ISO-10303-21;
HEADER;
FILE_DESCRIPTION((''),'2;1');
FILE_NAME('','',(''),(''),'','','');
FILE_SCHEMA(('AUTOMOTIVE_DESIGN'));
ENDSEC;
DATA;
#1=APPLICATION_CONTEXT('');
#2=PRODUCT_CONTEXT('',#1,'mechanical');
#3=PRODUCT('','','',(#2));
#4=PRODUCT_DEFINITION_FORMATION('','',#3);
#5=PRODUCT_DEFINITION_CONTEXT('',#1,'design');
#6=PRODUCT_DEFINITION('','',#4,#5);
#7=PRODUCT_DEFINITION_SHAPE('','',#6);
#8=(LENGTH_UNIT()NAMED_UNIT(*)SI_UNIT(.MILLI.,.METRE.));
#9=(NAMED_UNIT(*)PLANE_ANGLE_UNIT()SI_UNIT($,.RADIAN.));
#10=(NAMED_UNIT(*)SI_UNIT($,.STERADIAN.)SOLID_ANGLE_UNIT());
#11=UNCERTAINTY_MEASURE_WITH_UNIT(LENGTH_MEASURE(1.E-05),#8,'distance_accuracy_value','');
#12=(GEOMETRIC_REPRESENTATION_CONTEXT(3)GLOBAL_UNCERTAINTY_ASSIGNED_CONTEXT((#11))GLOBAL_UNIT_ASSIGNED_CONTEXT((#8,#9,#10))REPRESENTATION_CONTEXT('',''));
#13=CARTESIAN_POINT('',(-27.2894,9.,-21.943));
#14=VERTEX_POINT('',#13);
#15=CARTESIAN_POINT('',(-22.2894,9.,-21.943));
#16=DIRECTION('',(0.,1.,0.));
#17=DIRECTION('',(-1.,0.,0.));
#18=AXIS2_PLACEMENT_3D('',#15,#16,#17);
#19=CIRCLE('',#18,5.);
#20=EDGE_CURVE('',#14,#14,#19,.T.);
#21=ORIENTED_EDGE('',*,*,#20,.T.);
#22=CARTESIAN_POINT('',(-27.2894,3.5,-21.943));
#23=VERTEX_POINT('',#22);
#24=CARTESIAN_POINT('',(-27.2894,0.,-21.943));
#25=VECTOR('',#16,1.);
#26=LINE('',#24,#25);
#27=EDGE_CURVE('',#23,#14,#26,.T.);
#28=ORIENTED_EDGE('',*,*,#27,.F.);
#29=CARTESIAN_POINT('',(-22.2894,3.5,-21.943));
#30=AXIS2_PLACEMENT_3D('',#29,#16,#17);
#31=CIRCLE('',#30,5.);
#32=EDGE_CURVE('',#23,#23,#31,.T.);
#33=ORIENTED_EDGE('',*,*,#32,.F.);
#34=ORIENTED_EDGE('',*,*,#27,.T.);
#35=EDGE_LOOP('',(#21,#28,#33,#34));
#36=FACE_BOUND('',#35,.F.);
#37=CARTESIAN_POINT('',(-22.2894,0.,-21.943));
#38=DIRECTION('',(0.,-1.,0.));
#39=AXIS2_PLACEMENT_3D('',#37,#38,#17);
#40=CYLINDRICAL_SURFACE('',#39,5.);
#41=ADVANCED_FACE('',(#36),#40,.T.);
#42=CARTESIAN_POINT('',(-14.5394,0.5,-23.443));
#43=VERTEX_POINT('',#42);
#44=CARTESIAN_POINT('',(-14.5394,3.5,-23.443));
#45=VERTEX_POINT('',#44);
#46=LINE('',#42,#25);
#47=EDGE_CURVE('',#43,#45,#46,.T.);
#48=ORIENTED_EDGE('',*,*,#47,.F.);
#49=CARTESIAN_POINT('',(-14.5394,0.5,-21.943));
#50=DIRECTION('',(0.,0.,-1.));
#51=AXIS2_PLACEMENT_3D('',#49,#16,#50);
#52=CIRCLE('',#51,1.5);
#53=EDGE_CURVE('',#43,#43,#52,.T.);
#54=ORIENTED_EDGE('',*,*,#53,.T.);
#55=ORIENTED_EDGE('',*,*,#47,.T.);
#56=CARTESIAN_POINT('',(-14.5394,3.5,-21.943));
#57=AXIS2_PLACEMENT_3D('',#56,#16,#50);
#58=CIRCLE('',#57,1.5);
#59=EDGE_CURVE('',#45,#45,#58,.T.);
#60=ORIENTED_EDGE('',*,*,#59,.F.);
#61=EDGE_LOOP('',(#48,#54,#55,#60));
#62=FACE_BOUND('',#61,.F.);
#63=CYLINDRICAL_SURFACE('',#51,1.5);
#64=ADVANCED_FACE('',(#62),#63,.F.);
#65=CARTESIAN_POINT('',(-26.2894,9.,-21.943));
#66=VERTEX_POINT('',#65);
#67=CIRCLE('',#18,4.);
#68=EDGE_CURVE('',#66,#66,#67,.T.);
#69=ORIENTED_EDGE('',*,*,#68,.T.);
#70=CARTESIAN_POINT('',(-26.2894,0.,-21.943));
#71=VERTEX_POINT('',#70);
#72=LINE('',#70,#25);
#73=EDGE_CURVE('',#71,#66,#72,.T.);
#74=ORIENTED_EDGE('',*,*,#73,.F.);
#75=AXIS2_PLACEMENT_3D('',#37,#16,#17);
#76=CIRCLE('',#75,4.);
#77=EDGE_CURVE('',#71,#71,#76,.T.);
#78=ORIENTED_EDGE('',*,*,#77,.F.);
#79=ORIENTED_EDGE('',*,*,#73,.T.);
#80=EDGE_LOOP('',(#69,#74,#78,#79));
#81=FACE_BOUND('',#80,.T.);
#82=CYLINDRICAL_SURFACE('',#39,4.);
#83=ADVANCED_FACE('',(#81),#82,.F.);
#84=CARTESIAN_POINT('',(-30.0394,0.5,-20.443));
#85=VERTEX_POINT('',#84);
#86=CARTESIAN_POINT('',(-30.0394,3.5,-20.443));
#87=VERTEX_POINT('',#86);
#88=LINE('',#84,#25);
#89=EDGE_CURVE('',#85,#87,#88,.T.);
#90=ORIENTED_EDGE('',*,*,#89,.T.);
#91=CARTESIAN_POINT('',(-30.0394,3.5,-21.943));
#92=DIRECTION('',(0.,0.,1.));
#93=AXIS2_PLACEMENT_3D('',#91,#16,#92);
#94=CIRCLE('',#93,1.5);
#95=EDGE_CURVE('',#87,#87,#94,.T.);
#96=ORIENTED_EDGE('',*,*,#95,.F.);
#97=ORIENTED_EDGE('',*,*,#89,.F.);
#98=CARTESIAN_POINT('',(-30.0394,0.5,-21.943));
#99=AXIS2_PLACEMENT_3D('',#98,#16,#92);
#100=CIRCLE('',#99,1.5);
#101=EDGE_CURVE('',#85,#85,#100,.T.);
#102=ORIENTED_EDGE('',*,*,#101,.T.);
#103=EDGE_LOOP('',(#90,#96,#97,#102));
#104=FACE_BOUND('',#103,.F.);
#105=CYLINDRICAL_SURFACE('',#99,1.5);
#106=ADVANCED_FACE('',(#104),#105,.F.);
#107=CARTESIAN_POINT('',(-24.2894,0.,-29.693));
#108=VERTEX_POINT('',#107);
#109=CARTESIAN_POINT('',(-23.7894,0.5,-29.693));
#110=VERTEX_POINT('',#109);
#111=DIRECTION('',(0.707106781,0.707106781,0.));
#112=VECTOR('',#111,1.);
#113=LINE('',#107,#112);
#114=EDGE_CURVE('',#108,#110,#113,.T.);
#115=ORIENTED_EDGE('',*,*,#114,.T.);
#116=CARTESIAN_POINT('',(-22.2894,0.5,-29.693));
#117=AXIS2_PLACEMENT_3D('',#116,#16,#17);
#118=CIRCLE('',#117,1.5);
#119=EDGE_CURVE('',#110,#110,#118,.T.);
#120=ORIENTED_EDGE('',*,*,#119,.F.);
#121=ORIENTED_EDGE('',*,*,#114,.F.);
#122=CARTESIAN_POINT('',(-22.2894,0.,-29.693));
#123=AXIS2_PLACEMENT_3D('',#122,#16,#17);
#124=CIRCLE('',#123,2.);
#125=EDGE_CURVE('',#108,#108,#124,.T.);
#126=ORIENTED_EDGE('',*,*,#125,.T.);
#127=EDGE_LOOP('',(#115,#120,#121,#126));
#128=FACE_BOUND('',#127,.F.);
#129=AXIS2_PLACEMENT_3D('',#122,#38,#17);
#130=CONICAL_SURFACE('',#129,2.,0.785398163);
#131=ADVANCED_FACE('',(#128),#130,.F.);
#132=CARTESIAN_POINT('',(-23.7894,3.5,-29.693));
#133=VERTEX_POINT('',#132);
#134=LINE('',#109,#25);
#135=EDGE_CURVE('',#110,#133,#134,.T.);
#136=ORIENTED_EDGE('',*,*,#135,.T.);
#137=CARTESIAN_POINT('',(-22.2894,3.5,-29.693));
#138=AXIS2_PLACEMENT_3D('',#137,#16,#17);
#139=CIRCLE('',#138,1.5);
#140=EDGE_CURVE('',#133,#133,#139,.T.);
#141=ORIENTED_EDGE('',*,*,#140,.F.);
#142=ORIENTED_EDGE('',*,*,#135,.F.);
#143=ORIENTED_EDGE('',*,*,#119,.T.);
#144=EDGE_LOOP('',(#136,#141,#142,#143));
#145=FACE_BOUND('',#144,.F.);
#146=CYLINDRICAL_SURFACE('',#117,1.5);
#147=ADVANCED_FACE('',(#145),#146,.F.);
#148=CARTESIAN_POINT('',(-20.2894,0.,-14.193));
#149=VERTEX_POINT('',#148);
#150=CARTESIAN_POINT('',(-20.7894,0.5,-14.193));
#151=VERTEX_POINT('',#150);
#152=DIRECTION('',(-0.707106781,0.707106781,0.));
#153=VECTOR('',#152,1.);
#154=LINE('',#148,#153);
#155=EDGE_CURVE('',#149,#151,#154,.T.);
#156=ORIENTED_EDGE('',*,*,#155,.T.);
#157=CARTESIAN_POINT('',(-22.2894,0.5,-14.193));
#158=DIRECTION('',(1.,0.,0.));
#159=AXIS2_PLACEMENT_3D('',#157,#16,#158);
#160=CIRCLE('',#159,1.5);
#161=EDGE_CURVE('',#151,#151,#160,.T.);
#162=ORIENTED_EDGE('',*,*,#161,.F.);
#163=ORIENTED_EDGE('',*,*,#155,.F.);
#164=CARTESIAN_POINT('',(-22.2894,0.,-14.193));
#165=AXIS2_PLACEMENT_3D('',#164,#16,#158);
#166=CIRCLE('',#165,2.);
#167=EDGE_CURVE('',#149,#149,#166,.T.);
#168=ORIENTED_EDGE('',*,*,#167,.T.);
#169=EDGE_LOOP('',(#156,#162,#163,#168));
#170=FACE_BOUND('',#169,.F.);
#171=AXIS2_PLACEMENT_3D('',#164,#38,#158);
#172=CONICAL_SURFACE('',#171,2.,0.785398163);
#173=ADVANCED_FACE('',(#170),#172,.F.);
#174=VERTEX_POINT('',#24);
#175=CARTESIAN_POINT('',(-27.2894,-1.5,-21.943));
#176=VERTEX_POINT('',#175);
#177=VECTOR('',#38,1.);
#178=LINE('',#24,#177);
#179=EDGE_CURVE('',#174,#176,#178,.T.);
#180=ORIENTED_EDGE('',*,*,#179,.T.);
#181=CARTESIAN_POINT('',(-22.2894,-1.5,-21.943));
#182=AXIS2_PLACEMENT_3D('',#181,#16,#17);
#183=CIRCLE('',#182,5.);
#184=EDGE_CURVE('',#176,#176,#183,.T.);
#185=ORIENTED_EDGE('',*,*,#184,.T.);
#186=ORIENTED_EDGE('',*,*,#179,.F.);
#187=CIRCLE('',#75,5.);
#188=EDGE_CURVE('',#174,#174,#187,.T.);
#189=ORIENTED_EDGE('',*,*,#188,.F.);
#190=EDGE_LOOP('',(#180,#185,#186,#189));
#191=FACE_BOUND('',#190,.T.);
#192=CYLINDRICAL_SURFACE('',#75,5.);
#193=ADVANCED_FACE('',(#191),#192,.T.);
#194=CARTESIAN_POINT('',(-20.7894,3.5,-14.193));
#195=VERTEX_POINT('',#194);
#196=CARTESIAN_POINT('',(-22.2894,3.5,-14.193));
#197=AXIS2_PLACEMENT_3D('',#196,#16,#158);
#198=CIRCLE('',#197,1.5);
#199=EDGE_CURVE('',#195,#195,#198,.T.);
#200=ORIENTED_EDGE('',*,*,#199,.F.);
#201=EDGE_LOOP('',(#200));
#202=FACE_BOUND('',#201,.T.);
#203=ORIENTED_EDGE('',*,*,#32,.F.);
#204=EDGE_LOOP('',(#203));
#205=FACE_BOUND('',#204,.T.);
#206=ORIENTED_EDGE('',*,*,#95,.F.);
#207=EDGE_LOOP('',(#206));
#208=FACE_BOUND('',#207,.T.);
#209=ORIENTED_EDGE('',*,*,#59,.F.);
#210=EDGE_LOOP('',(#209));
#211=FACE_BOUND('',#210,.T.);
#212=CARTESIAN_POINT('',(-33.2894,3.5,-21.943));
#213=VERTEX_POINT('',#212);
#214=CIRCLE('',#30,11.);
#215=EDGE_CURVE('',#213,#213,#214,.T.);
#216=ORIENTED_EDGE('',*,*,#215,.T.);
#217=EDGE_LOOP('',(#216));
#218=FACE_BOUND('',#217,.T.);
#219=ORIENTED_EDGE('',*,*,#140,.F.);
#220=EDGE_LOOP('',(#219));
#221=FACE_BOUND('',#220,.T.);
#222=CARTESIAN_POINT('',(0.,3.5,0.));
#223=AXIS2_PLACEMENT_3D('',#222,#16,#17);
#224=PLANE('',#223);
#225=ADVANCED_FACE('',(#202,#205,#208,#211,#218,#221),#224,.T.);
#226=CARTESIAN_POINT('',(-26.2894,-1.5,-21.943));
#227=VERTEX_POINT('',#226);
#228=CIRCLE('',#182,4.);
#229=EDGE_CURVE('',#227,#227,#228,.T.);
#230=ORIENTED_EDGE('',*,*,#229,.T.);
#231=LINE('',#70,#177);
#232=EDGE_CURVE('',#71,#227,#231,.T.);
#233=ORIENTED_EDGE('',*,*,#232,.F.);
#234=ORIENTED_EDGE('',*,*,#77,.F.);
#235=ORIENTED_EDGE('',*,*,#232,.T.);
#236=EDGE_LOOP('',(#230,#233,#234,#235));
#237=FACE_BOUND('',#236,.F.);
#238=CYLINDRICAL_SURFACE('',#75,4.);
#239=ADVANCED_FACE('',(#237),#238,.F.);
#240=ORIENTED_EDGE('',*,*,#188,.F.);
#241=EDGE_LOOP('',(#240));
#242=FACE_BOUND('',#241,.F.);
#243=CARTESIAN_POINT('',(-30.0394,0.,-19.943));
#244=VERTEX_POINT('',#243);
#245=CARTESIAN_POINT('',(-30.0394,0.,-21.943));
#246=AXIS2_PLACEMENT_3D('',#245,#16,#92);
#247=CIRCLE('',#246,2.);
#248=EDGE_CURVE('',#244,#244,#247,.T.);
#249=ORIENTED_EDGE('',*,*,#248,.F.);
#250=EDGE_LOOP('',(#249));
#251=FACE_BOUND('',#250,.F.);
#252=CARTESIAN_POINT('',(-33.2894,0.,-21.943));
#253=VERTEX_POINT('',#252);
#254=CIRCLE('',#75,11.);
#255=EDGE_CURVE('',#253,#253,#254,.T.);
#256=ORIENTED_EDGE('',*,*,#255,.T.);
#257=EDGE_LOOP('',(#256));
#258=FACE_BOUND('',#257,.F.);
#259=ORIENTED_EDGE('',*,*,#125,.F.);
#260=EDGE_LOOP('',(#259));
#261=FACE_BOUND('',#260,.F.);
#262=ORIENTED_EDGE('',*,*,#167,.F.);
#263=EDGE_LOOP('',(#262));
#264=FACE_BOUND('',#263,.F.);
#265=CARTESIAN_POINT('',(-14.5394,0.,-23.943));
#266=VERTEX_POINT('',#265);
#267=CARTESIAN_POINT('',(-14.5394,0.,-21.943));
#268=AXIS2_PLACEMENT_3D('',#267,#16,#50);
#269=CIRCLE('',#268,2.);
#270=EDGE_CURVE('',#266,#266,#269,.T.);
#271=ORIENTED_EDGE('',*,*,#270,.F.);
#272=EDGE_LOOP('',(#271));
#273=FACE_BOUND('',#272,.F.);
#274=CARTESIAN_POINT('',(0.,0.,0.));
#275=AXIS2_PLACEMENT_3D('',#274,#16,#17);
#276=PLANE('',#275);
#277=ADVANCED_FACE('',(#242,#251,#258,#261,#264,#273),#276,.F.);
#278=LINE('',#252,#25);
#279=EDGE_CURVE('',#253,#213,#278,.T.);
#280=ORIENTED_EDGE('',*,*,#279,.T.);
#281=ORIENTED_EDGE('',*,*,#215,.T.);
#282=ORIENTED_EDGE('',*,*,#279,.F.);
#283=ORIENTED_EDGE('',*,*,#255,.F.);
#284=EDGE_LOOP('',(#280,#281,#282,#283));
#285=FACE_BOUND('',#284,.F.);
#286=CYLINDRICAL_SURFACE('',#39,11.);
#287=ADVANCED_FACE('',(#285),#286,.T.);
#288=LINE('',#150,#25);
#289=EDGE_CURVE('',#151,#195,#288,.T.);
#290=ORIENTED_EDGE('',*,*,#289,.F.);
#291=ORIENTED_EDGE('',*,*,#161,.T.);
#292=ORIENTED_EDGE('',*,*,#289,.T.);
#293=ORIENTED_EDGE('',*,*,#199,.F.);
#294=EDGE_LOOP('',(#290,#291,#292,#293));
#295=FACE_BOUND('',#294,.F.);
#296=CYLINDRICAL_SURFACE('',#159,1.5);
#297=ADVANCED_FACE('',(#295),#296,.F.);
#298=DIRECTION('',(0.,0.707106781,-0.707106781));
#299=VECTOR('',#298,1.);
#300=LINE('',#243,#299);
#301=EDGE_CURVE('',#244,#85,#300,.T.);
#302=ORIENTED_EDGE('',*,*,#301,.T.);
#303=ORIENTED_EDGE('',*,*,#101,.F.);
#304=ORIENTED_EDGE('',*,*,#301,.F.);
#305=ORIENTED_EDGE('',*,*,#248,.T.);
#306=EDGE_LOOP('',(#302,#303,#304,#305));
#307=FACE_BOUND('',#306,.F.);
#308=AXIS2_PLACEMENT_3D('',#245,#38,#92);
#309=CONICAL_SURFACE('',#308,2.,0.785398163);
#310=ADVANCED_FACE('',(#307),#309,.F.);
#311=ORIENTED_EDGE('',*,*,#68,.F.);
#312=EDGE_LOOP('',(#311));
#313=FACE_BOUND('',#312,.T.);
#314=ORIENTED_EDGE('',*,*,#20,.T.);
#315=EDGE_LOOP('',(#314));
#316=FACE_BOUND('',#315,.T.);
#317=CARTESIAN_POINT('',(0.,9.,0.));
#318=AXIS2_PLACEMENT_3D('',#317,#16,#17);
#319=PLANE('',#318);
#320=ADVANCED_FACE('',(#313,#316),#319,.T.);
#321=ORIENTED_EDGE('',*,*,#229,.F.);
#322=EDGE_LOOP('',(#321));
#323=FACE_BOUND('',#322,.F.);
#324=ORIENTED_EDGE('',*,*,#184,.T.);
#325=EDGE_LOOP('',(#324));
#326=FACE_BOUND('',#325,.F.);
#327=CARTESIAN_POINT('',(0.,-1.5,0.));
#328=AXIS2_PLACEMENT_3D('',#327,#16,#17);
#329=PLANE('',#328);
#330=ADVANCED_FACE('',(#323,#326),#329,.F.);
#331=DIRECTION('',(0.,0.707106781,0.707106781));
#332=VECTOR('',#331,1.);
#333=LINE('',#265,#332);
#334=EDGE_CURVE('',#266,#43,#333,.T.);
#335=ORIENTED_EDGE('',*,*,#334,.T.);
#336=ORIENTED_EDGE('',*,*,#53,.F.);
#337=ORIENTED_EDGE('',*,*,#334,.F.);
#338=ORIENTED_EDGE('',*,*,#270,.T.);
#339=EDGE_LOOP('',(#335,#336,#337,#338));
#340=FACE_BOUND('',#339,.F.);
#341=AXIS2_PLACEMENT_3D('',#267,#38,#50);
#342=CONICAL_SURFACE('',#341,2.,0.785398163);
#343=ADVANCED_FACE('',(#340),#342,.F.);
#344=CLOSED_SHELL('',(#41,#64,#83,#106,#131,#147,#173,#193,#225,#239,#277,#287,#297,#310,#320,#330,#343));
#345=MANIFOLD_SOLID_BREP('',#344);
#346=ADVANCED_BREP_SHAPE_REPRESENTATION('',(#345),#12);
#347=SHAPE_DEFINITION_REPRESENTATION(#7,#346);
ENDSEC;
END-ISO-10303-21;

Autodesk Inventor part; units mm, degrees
ref_plane "YZ Plane" through (0, 0, 0) normal (1, 0, 0) x (0, 1, 0)
ref_plane "XZ Plane" through (0, 0, 0) normal (0, 1, 0) x (-1, 0, 0)
ref_plane "XY Plane" through (0, 0, 0) normal (0, 0, 1) x (1, 0, 0)
sketch "Sketch1" plane through (0, 0, 0) normal (0, 1, 0) x (-1, 0, 0)
  circle A0 centre (22.2894, -21.943) radius 11
  circle A1 centre (22.2894, -21.943) radius 7.75 construction
  circle A2 centre (22.2894, -21.943) radius 5
  circle A3 centre (22.2894, -21.943) radius 4
  point P0 (0, 0)
  point P1 (14.5394, -21.943)
  dimension "d2" = 15.5
  dimension "d1" = 22
  dimension "d4" = 10
  dimension "d17" = 8
extrude "Extrusion1" add sketch "Sketch1" along normal blind 3.5 contours A0
hole "Hole1" at (-14.5394, 0, -21.943) direction (0, 1, 0) diameter 3 end through all countersink diameter 4 countersink angle 90
pattern_circular "Circular Pattern1" count 4 over 360 about axis through (-22.2894, 0, -21.943) along (0, 1, 0) of "Hole1"
extrude "Extrusion2" add sketch "Sketch1" along normal blind 9 and the other way blind 1.5 contours A2
properties part number "ACME Brass Nut" material "Brass, Soft Yellow"
